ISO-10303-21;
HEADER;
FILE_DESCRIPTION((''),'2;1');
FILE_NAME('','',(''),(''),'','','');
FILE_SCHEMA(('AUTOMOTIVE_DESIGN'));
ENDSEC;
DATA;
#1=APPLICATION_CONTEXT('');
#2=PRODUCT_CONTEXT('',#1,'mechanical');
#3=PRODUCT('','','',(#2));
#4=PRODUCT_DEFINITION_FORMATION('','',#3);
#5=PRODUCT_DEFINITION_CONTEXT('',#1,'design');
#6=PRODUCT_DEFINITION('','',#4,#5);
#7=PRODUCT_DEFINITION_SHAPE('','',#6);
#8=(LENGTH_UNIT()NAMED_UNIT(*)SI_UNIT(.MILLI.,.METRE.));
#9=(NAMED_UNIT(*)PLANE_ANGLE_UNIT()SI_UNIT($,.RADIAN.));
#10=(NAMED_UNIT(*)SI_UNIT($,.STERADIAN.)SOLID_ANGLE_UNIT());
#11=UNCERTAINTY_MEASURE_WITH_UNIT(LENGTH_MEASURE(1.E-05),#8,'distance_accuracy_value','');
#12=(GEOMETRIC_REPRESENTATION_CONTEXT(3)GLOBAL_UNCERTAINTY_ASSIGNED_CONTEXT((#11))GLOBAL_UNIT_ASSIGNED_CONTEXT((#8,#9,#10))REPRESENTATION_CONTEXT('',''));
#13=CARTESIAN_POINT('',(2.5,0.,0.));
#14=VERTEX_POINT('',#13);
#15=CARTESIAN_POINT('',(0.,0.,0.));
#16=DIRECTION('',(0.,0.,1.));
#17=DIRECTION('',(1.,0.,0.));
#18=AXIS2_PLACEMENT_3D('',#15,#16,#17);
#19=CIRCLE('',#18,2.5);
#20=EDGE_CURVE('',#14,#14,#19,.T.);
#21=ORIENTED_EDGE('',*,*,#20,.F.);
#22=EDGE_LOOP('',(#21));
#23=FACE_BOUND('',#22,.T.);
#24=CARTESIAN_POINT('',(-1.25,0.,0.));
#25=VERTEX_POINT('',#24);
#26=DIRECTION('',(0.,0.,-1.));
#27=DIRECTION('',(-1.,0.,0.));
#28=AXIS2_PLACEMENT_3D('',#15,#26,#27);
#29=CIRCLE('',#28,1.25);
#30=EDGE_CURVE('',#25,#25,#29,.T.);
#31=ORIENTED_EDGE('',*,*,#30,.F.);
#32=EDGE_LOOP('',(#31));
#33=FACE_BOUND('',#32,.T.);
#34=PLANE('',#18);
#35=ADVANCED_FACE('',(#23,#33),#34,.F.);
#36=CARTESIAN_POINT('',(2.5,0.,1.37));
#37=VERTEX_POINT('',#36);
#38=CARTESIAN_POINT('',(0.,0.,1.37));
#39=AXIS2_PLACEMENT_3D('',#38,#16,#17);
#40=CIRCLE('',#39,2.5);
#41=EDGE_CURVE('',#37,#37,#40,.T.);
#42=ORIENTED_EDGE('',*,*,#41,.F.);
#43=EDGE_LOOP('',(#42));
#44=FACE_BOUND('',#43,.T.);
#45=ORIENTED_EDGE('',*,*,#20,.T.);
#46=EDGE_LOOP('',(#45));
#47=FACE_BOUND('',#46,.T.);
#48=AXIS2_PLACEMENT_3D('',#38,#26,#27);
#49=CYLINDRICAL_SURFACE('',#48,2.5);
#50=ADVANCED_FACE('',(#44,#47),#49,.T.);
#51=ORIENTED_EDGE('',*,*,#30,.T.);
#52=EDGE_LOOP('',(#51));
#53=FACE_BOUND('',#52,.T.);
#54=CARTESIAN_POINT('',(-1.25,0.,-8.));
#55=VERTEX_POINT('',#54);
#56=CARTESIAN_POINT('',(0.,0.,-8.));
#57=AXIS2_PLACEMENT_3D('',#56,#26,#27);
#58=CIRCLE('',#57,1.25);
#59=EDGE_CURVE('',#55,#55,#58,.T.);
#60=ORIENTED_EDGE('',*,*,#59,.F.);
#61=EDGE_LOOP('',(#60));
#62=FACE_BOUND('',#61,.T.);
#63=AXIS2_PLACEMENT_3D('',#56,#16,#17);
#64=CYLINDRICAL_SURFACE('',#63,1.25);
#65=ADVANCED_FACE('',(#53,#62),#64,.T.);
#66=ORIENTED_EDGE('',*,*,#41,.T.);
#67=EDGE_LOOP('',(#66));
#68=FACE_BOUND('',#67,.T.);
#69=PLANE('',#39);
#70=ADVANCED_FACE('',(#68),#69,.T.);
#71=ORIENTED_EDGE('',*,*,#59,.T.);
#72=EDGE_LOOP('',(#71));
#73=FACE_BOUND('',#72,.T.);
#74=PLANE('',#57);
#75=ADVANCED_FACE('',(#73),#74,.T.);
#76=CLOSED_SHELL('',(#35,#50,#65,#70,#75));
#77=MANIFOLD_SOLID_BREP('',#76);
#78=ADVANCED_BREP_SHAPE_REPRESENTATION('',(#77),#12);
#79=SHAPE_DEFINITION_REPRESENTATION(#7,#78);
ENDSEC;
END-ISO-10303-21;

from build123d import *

# Parameters (mm, degrees)
ESQUISSE1_R        = 2.5
BOSS_EXTRU_1_DEPTH = 1.37
ESQUISSE2_R        = 1.25
BOSS_EXTRU_2_DEPTH = 8


with BuildPart() as part:
    # Esquisse1 → Boss.-Extru.1 (new body)
    with BuildSketch(Plane.XY):
        Circle(ESQUISSE1_R)
    extrude(amount=BOSS_EXTRU_1_DEPTH)

    # Esquisse2 → Boss.-Extru.2 (add)
    with BuildSketch(Plane(origin=(0, 0, 0), x_dir=(-1, 0, 0), z_dir=(0, 0, -1))):
        Circle(ESQUISSE2_R)
    extrude(amount=BOSS_EXTRU_2_DEPTH)


solid = part.part
